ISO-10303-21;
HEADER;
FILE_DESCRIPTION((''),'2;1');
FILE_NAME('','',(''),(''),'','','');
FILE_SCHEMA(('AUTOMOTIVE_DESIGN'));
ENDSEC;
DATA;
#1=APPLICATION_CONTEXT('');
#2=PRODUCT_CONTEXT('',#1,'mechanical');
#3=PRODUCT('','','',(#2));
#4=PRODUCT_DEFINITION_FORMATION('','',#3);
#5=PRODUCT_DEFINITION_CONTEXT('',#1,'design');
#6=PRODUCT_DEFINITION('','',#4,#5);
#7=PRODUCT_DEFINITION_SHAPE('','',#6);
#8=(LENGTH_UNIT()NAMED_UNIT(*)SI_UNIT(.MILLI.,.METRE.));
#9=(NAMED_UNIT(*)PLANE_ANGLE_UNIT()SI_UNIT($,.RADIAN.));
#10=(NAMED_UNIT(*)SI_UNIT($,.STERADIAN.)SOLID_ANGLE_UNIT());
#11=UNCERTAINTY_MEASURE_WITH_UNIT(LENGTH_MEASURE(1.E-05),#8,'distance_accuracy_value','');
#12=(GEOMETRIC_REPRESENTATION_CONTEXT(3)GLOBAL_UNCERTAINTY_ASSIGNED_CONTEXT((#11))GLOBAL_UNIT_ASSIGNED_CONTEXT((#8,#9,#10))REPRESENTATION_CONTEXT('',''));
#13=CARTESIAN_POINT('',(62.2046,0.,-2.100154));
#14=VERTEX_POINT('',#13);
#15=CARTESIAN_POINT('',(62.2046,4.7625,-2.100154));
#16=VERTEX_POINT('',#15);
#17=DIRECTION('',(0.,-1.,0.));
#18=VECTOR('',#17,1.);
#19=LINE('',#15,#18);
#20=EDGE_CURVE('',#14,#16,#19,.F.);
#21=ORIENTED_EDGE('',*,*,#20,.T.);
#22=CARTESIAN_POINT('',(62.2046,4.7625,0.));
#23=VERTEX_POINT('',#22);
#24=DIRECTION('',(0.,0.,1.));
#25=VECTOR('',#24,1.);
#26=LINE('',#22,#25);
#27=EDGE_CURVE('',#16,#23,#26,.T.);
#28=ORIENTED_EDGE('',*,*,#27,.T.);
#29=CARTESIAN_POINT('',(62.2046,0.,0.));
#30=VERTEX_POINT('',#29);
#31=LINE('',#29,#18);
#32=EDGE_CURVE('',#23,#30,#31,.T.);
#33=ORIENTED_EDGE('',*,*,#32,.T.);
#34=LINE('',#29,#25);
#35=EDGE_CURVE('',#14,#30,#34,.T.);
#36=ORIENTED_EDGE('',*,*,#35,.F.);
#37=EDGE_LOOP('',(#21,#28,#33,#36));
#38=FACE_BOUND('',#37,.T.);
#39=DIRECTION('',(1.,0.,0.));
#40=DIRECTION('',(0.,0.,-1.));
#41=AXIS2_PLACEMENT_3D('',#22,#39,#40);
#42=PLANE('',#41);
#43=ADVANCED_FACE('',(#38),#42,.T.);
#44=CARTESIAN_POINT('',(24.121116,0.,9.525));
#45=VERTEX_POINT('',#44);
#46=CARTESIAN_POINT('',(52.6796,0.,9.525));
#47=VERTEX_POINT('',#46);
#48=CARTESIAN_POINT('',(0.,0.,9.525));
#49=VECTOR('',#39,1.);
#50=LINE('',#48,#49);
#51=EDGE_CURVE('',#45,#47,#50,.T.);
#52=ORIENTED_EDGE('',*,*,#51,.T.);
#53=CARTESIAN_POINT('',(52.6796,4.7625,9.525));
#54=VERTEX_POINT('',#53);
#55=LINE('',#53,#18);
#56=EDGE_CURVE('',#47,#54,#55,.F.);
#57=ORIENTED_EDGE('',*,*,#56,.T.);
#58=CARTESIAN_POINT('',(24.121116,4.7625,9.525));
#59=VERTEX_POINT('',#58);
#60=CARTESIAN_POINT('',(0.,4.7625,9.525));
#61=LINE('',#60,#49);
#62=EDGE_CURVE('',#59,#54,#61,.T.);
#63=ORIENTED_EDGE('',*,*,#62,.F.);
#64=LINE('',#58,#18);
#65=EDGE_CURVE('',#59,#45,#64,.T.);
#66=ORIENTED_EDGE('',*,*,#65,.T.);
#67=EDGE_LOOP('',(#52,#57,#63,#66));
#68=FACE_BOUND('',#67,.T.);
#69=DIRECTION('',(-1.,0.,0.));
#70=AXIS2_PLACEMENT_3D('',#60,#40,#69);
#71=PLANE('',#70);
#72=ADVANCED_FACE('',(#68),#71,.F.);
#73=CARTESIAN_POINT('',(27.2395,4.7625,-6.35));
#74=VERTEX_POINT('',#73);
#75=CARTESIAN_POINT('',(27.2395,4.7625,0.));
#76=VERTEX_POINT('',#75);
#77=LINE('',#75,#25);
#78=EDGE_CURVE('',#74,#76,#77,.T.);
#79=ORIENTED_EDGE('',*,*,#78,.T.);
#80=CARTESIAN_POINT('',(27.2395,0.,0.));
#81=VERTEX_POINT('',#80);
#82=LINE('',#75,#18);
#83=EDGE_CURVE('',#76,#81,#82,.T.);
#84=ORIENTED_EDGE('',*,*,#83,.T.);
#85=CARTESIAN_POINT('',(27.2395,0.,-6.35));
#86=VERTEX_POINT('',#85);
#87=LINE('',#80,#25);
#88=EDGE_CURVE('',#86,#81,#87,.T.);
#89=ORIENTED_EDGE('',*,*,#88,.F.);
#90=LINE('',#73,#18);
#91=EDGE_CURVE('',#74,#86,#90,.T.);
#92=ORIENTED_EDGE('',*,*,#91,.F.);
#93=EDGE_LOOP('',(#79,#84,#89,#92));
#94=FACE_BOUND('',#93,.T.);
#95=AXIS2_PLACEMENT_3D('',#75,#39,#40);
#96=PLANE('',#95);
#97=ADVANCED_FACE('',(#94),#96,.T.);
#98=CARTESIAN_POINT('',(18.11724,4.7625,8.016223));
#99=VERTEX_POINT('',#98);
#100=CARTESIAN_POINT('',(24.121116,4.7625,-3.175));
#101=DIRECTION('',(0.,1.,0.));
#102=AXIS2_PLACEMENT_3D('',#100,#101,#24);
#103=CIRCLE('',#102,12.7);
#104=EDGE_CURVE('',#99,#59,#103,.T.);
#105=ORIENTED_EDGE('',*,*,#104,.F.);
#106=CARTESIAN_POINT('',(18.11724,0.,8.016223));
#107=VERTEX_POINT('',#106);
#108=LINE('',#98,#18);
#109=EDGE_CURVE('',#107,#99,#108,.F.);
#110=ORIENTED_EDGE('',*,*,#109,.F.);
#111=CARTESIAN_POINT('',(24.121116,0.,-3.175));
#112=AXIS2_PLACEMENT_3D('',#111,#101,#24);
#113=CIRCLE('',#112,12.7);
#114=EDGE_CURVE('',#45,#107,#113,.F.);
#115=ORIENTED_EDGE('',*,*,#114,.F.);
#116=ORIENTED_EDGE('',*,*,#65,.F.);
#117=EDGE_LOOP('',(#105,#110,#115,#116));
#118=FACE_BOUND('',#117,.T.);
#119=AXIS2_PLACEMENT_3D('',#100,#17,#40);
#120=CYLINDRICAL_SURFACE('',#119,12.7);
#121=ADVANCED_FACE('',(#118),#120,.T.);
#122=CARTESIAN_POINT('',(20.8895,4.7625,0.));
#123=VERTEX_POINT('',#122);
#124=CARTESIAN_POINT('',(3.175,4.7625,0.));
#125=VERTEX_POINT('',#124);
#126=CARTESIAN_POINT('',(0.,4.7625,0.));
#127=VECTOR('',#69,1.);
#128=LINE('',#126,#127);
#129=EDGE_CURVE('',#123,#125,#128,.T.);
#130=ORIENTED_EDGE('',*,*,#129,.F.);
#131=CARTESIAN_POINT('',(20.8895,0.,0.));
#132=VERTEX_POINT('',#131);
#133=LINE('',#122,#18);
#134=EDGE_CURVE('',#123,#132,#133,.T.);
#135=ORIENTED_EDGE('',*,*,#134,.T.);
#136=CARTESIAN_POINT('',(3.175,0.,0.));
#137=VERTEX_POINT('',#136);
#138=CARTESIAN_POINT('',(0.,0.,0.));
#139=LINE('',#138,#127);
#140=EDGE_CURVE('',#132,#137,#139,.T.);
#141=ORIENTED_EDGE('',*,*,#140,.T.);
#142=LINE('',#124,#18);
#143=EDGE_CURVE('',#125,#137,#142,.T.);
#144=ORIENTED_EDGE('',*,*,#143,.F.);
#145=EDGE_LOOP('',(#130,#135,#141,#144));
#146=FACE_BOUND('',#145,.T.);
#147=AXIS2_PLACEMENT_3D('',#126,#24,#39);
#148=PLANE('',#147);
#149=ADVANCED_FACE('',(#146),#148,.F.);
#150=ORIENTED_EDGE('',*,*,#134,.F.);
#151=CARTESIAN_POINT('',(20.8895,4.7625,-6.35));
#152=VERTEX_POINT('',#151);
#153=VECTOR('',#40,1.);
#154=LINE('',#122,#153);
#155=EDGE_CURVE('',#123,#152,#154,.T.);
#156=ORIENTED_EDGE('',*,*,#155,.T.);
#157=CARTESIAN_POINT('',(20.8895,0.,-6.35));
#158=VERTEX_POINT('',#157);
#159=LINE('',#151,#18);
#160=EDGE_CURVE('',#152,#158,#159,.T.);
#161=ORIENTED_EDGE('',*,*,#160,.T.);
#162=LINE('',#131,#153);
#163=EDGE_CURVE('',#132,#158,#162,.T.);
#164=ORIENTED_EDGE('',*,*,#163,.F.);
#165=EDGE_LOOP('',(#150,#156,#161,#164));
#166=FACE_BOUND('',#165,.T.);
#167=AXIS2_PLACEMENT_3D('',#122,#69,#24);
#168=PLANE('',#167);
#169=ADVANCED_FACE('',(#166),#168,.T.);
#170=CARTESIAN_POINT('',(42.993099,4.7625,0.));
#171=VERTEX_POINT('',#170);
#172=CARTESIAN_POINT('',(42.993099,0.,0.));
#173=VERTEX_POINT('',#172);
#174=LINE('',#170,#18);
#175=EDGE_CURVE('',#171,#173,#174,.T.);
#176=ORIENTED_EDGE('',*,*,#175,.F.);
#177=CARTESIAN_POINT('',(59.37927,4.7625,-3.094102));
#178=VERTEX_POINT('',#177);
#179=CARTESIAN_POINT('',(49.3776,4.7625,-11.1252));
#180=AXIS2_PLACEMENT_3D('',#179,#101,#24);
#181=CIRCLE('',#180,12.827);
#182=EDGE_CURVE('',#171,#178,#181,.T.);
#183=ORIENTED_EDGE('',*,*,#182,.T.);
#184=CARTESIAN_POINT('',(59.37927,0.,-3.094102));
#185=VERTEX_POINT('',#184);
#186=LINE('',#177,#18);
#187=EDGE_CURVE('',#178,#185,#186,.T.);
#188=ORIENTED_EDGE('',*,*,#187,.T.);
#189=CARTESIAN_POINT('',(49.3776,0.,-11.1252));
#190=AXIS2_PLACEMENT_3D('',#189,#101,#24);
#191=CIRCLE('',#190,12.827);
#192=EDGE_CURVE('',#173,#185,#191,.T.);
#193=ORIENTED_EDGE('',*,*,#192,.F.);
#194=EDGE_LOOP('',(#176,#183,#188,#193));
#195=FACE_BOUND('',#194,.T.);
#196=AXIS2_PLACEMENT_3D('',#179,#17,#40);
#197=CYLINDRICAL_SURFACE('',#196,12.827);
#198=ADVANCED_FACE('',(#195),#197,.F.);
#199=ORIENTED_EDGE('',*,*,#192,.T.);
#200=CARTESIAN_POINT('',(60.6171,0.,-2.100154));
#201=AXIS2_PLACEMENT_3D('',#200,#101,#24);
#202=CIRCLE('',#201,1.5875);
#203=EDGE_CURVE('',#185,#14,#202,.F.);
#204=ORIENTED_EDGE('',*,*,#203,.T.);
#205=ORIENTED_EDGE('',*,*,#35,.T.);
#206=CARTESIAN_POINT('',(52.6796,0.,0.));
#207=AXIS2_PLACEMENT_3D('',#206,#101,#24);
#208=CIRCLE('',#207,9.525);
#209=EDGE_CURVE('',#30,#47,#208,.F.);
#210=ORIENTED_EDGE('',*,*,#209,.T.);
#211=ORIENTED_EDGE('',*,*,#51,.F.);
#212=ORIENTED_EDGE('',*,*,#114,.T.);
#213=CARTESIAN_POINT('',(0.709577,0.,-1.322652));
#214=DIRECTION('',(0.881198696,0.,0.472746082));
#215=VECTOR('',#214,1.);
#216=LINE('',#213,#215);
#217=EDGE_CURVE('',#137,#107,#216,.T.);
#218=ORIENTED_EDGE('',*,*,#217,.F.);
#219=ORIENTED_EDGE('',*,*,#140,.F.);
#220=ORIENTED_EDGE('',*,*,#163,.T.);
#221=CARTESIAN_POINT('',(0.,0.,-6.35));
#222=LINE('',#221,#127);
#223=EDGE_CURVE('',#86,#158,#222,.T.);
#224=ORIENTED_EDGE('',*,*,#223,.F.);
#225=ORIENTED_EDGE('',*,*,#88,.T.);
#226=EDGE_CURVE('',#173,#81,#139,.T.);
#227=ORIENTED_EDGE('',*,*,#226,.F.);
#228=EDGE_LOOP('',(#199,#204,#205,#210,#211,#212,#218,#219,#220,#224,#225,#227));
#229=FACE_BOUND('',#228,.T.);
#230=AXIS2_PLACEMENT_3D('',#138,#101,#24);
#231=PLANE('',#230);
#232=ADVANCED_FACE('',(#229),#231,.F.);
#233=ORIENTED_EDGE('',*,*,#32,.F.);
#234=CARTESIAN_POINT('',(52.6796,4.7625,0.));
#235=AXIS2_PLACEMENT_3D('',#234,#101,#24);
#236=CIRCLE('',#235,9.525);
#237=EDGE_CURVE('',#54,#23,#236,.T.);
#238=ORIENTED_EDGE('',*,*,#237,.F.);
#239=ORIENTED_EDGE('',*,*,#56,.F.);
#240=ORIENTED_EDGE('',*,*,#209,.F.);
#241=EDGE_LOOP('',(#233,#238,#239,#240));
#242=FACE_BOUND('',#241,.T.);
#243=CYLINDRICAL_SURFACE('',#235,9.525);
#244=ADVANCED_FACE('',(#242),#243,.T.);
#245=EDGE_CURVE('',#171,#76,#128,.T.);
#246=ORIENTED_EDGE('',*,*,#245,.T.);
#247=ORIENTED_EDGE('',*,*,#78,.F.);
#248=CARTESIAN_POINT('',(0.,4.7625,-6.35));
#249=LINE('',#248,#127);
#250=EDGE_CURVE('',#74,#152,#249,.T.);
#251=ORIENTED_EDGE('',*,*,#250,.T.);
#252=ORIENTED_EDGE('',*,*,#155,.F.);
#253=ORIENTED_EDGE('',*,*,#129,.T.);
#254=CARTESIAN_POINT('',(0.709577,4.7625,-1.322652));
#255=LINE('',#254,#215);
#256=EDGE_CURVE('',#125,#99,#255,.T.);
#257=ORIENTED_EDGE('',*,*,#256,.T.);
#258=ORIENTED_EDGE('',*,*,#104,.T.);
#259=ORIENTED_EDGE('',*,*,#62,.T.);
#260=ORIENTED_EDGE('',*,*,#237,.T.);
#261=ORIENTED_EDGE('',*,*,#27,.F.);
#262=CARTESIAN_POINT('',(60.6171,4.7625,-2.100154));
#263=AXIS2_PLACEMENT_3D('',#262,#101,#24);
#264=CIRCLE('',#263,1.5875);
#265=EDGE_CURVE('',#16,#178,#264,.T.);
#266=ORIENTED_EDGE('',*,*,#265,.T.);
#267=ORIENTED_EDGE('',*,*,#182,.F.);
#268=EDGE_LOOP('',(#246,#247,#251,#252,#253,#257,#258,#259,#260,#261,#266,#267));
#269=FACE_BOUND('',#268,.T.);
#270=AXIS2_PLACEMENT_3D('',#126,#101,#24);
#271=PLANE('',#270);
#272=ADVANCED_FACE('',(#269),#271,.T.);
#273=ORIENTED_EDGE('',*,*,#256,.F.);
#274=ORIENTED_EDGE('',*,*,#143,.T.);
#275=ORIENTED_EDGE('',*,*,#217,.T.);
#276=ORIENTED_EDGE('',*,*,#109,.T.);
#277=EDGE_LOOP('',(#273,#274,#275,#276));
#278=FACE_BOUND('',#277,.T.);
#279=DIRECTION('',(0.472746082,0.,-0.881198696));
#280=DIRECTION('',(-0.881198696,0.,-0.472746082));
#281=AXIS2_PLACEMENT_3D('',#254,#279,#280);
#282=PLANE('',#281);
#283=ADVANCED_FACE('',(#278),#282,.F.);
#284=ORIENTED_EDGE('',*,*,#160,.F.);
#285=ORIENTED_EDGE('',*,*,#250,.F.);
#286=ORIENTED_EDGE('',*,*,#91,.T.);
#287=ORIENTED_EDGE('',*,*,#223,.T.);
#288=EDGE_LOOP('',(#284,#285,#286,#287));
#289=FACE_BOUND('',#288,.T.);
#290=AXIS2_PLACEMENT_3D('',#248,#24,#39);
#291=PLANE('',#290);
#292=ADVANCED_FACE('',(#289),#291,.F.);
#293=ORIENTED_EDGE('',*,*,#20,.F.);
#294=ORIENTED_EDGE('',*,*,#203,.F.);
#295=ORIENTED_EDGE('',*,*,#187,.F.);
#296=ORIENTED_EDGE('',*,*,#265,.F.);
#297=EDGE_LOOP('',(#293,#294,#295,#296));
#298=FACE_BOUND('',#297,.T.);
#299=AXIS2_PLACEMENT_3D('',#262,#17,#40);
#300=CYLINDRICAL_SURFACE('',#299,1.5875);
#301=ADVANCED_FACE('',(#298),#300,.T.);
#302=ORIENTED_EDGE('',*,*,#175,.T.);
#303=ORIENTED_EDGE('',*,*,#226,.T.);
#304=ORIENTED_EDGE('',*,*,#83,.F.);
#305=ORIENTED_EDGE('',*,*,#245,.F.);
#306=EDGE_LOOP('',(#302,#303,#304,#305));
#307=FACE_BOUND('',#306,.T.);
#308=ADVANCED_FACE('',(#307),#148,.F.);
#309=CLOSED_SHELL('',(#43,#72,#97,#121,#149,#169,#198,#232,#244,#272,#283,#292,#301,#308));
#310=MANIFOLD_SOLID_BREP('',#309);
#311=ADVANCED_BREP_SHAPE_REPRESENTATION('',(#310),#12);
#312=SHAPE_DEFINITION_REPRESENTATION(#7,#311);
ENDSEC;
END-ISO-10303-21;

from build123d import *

# Parameters (mm, degrees)
BOSS_EXTRUDE1_DEPTH = 4.7625
FILLET1_R           = 9.525
FILLET2_R           = 1.5875
FILLET4_R           = 12.7
SKETCH2_W           = 6.35
SKETCH2_H           = 6.35
BOSS_EXTRUDE2_DEPTH = 4.7625


with BuildPart() as part:
    # Sketch1 → Boss-Extrude1 (new body)
    with BuildSketch(Plane(origin=(0, 0, 0), x_dir=(1, 0, 0), z_dir=(0, 1, 0))):
        with BuildLine():
            ThreePointArc((62.2046, 11.1252), (55.805583, 0.025067), (42.993099, 0))
            Line((42.993099, 0), (3.175, 0))
            Line((3.175, 0), (20.9296, -9.525))
            Line((20.9296, -9.525), (62.2046, -9.525))
            Line((62.2046, -9.525), (62.2046, 11.1252))
        make_face()
    extrude(amount=BOSS_EXTRUDE1_DEPTH)

    # Fillet1
    fillet1_edges = [part.edges().sort_by_distance(p)[0] for p in [
        (62.2046, 2.38125, 9.525),
    ]]
    fillet(fillet1_edges, radius=FILLET1_R)

    # Fillet2
    fillet2_edges = [part.edges().sort_by_distance(p)[0] for p in [
        (62.2046, 2.38125, -11.1252),
    ]]
    fillet(fillet2_edges, radius=FILLET2_R)

    # Fillet4
    fillet4_edges = [part.edges().sort_by_distance(p)[0] for p in [
        (20.9296, 2.38125, 9.525),
    ]]
    fillet(fillet4_edges, radius=FILLET4_R)

    # Sketch2 → Boss-Extrude2 (add)
    with BuildSketch(Plane.XZ):
        with Locations((24.0645, -3.175)):
            Rectangle(SKETCH2_W, SKETCH2_H)
    extrude(amount=-BOSS_EXTRUDE2_DEPTH)


solid = part.part
